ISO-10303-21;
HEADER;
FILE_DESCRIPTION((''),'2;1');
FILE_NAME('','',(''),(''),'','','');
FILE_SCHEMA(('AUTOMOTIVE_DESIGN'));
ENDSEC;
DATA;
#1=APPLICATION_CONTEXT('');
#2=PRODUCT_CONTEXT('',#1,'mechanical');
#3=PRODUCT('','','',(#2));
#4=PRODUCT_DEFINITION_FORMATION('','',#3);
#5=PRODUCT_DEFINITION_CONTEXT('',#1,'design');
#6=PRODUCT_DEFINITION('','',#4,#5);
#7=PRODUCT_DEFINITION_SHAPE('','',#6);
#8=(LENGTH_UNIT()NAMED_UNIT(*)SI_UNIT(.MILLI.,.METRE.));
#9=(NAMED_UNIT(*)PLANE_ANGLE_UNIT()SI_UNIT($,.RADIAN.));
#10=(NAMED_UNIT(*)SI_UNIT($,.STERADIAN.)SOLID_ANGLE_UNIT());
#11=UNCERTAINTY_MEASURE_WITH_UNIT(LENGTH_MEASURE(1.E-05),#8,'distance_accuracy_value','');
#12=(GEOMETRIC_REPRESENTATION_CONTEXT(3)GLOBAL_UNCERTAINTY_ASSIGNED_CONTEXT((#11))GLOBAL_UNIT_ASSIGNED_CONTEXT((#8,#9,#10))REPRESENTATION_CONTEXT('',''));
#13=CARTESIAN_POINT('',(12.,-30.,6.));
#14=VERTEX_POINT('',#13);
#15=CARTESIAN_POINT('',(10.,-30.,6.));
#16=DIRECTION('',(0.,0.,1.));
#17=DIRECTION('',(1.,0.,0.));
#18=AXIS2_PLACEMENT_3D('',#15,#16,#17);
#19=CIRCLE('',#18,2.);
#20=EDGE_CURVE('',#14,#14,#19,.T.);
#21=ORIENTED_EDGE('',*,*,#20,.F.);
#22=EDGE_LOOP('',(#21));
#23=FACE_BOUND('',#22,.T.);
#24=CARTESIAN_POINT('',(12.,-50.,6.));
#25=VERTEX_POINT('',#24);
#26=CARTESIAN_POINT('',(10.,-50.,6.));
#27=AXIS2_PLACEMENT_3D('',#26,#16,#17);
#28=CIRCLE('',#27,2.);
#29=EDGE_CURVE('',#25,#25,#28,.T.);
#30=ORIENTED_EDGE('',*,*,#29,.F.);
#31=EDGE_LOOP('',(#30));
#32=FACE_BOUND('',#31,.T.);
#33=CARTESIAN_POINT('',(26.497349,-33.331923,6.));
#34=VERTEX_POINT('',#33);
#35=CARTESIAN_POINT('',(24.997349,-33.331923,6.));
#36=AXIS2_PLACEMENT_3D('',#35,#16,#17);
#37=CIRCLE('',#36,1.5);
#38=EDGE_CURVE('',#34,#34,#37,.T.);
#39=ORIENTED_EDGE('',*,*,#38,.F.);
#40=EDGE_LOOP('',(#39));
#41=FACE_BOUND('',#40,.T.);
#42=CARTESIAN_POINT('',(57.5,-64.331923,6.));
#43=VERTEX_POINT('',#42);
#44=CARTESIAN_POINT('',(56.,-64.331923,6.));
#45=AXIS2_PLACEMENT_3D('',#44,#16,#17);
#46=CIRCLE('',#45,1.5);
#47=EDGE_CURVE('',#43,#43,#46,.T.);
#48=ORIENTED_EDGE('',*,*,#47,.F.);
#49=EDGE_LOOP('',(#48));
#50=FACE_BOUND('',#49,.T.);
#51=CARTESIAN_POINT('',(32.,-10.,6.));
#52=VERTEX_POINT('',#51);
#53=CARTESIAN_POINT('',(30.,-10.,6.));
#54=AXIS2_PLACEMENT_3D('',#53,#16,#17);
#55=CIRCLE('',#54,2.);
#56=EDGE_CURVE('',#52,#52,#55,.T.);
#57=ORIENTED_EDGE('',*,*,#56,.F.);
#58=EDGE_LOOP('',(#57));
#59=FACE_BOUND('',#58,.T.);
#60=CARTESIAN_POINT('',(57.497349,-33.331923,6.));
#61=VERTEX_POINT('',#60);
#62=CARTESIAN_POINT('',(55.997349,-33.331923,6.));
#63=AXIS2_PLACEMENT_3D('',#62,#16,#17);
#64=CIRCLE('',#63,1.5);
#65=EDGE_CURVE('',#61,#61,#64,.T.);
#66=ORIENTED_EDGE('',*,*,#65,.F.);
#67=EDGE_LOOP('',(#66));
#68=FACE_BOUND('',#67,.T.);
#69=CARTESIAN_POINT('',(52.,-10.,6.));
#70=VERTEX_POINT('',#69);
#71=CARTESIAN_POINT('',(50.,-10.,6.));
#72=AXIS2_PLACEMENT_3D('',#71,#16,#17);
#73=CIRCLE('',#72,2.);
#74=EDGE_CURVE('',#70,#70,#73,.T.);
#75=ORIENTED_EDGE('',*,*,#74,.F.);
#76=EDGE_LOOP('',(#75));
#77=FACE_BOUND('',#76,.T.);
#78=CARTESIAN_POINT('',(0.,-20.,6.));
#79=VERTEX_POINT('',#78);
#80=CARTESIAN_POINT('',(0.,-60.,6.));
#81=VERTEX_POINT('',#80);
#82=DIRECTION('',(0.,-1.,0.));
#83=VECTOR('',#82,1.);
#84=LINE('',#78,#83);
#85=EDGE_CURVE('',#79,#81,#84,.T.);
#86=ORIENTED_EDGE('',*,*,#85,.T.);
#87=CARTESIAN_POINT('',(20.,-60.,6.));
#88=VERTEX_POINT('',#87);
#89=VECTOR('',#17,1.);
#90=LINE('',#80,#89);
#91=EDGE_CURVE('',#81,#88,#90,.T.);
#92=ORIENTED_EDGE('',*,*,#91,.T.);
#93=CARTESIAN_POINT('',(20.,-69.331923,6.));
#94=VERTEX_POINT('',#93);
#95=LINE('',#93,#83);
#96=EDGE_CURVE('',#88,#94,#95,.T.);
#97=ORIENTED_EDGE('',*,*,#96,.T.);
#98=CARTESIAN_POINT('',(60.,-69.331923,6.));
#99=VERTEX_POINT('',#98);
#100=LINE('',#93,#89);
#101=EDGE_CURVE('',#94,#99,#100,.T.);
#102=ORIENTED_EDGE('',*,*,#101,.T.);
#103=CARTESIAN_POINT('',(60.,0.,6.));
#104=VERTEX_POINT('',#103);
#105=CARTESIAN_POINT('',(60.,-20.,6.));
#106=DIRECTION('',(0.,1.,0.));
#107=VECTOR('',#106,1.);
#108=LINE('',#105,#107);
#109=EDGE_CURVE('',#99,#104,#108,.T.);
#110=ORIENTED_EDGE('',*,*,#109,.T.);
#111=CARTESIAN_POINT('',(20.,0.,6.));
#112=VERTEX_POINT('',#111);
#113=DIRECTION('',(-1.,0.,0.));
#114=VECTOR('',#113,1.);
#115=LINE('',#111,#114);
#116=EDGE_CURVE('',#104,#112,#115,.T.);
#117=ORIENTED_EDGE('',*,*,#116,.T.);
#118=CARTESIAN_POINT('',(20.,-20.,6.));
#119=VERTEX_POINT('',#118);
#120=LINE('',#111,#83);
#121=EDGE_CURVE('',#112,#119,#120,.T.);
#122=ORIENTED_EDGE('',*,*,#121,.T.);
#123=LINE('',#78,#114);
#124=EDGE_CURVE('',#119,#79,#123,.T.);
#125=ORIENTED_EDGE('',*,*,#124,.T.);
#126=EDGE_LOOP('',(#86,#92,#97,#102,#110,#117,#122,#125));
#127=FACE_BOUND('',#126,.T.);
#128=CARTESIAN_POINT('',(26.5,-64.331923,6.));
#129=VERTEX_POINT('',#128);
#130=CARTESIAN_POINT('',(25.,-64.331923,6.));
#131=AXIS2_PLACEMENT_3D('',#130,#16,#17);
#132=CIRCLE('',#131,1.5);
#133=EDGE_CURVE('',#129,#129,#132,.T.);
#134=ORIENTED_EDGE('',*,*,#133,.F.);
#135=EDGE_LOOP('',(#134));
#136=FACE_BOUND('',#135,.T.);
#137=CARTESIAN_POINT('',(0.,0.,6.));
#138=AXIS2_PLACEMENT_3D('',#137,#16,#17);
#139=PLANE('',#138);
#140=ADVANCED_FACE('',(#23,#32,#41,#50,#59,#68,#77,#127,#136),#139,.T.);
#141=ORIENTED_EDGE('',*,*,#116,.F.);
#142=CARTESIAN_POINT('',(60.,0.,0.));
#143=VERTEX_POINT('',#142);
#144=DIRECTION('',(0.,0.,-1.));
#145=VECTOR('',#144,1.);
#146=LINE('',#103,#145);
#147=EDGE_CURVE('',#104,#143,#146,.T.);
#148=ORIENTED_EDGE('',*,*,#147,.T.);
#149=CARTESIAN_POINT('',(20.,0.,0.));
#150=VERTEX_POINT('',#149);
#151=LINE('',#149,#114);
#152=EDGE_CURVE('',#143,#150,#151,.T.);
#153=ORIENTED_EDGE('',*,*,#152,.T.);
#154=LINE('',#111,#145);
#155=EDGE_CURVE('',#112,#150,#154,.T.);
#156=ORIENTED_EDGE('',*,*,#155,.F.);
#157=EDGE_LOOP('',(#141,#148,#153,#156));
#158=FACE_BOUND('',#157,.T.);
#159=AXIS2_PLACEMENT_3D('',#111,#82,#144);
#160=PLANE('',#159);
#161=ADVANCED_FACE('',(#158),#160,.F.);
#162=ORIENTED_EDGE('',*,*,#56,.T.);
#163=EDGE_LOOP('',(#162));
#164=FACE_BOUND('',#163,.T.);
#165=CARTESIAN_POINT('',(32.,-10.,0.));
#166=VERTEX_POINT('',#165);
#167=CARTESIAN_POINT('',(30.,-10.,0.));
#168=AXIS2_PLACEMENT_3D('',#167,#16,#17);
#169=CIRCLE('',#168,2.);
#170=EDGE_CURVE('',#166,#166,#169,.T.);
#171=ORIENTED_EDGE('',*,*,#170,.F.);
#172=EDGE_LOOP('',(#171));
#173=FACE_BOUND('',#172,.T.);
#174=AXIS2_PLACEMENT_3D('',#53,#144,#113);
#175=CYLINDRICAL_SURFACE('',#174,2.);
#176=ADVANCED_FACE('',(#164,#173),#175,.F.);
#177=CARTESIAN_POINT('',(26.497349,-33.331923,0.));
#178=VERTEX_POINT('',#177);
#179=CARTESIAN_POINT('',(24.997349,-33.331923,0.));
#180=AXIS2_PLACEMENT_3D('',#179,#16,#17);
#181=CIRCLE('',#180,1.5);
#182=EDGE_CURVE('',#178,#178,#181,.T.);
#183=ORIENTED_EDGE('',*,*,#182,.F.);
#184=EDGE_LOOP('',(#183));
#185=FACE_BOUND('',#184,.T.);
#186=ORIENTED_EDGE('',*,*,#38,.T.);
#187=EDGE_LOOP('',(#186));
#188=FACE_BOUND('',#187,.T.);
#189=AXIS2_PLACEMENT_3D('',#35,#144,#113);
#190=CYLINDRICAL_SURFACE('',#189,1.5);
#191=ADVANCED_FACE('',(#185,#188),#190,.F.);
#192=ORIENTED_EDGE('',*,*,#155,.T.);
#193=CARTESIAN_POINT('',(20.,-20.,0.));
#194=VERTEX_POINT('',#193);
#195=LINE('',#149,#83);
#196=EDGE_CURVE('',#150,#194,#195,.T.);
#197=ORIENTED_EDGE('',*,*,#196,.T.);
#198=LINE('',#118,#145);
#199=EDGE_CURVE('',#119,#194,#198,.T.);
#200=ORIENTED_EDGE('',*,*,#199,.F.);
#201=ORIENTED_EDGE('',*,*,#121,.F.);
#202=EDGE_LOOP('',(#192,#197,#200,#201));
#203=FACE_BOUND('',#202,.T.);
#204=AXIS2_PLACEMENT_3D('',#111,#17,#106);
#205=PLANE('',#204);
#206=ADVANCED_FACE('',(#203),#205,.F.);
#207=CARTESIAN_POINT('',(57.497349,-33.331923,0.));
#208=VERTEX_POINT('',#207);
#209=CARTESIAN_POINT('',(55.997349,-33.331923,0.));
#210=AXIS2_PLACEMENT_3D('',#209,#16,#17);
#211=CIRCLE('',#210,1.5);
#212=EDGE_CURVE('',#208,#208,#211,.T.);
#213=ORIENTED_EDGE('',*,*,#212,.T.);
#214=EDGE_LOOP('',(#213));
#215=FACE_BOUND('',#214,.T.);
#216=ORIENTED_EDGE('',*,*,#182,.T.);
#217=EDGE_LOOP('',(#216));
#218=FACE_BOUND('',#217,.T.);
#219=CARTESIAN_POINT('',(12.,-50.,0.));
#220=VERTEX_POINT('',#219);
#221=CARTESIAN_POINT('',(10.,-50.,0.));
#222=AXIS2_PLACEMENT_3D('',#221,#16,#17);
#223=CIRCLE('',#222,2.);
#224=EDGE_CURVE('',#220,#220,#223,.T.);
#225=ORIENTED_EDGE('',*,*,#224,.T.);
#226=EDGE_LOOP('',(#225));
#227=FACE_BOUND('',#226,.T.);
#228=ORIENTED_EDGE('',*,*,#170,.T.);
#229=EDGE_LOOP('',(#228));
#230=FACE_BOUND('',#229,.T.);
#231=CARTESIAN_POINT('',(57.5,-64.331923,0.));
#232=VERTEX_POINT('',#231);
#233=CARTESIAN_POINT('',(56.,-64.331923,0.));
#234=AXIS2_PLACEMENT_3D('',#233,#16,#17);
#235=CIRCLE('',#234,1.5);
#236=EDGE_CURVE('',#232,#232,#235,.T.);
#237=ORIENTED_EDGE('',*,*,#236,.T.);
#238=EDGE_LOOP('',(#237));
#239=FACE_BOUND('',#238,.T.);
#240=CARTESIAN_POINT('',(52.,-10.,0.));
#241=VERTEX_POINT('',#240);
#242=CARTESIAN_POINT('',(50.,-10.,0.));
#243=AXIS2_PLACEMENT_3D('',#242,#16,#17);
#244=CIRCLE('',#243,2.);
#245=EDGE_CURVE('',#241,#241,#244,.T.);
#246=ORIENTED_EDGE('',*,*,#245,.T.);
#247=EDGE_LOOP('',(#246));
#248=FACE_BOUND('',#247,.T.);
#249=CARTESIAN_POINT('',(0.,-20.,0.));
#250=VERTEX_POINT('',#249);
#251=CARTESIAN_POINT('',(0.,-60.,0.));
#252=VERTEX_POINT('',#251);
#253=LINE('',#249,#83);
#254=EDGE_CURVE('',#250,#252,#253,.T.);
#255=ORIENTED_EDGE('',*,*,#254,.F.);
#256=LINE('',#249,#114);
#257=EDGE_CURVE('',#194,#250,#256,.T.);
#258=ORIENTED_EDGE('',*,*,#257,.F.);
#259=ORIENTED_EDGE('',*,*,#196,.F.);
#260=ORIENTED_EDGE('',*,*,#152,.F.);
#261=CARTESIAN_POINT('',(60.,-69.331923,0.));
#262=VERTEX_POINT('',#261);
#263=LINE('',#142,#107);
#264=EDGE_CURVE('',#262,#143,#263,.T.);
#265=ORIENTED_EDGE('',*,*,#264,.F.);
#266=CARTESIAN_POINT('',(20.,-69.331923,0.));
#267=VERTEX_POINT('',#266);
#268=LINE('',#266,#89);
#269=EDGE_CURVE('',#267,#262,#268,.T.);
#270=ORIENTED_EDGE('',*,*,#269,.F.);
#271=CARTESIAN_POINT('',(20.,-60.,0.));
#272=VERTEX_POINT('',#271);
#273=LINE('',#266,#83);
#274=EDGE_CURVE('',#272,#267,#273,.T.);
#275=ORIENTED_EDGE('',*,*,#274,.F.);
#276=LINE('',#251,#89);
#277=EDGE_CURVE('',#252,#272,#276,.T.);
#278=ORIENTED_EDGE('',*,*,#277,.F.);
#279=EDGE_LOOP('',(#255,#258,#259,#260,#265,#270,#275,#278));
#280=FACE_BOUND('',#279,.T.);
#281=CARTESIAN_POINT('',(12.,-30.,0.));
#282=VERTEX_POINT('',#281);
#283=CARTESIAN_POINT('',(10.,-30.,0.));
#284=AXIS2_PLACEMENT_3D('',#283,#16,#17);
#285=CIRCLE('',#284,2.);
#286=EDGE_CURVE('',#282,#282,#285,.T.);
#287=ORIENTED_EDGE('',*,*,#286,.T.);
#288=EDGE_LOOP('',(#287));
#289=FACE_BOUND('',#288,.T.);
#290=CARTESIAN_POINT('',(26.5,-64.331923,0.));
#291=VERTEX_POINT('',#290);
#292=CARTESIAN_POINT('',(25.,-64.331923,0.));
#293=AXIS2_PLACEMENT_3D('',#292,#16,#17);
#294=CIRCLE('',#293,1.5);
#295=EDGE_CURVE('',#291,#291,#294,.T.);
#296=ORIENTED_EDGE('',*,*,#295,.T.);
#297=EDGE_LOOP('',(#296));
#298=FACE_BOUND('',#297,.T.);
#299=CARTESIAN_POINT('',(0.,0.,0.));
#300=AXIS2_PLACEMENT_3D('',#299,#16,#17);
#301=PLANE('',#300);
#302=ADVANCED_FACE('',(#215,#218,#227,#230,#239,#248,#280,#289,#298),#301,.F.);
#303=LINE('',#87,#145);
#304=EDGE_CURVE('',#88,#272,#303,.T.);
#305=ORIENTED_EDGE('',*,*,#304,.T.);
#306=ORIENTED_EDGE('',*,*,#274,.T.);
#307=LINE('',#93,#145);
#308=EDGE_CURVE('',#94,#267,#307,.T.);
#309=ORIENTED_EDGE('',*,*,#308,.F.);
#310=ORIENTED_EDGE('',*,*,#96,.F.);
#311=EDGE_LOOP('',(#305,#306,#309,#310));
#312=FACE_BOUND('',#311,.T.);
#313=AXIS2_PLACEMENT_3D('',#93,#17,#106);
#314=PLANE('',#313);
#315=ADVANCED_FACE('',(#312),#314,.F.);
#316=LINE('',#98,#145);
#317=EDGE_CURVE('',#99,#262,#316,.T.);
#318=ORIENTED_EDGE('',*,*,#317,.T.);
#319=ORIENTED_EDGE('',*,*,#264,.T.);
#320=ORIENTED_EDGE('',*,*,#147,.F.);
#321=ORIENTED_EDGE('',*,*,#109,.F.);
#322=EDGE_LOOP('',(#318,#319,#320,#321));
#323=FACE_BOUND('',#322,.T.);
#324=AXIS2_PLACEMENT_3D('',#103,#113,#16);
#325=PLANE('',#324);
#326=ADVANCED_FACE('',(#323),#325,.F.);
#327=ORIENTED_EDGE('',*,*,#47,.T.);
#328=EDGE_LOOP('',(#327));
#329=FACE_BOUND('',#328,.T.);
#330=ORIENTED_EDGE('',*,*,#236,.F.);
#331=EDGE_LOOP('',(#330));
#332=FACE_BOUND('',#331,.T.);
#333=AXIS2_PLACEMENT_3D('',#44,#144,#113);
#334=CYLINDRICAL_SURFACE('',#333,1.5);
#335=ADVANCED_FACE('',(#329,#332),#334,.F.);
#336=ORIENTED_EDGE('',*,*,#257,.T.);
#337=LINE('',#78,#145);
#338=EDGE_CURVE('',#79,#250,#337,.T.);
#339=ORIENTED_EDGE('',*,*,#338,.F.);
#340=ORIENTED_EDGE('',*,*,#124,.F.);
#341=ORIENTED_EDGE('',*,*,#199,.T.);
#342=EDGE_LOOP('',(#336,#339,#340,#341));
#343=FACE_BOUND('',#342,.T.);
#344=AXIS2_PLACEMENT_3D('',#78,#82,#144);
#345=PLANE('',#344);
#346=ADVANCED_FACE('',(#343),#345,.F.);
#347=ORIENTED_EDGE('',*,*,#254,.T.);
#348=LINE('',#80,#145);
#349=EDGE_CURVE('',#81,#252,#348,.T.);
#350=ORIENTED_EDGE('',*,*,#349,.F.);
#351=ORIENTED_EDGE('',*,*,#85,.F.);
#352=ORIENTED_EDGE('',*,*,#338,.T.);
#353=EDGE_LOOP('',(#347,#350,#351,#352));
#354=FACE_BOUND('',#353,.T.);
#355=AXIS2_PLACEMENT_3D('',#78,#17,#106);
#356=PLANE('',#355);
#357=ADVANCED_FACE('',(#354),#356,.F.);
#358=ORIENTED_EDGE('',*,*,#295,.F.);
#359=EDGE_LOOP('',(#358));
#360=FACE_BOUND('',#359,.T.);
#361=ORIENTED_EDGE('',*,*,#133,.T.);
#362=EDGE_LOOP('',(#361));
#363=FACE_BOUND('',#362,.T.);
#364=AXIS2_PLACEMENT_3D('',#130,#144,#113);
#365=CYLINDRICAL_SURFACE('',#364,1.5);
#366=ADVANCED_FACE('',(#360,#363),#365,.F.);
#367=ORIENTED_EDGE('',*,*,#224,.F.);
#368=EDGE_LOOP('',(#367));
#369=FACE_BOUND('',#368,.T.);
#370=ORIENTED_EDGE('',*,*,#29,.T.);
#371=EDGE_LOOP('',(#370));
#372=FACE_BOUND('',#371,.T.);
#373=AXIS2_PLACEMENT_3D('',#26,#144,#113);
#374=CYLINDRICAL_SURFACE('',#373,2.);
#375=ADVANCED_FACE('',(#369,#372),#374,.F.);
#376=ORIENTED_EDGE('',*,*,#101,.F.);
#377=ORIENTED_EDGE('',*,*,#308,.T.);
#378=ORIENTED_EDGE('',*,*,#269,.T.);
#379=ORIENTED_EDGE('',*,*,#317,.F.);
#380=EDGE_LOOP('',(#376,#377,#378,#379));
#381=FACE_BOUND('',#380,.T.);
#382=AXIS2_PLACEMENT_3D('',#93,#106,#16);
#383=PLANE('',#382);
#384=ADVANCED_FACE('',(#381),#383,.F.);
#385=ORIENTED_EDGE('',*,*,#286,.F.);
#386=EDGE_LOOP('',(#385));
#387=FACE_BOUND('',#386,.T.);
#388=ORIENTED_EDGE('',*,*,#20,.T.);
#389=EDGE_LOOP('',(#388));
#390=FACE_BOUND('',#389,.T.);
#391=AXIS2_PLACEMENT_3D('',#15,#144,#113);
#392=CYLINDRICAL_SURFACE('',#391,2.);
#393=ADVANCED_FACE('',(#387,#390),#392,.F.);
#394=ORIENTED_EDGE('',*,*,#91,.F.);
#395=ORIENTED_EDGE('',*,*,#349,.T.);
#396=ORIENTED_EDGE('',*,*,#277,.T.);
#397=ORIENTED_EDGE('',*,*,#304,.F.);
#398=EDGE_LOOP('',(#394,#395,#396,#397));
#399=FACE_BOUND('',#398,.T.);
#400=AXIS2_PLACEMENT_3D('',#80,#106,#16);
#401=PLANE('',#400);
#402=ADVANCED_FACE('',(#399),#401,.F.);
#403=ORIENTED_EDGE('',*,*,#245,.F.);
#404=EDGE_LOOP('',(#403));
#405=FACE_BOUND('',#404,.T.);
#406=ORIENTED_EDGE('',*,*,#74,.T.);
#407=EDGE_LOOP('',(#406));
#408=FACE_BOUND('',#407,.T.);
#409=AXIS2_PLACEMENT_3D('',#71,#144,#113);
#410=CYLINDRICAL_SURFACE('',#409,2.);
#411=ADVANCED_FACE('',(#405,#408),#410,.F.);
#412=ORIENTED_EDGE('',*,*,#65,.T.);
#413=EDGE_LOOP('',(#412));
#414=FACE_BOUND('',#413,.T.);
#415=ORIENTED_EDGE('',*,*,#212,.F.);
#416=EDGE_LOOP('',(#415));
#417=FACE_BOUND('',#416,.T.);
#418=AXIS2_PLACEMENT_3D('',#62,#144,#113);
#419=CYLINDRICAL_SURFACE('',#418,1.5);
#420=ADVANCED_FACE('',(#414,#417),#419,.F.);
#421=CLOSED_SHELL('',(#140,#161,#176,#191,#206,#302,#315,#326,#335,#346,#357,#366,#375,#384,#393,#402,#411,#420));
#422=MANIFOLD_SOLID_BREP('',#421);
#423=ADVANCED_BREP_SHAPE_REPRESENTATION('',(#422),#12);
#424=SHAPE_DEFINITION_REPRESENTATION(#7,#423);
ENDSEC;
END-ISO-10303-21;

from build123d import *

# Parameters (mm, degrees)
SKETCH1_R           = 2
SKETCH1_R_2         = 1.5
BOSS_EXTRUDE1_DEPTH = 6


with BuildPart() as part:
    # Sketch1 → Boss-Extrude1 (new body)
    with BuildSketch(Plane.XY):
        Polygon((20, 0), (60, 0), (60, -20), (60, -69.331923123), (20, -69.331923123), (20, -60), (0, -60), (0, -20), (20, -20), align=None)
        with Locations((50, -10)):
            Circle(SKETCH1_R, mode=Mode.SUBTRACT)
        with Locations((30, -10)):
            Circle(SKETCH1_R, mode=Mode.SUBTRACT)
        with Locations((10, -50)):
            Circle(SKETCH1_R, mode=Mode.SUBTRACT)
        with Locations((10, -30)):
            Circle(SKETCH1_R, mode=Mode.SUBTRACT)
        with Locations((25, -64.331923123)):
            Circle(SKETCH1_R_2, mode=Mode.SUBTRACT)
        with Locations((24.997348671, -33.331923237)):
            Circle(SKETCH1_R_2, mode=Mode.SUBTRACT)
        with Locations((56, -64.331923123)):
            Circle(SKETCH1_R_2, mode=Mode.SUBTRACT)
        with Locations((55.997348671, -33.331923123)):
            Circle(SKETCH1_R_2, mode=Mode.SUBTRACT)
    extrude(amount=BOSS_EXTRUDE1_DEPTH)


solid = part.part
